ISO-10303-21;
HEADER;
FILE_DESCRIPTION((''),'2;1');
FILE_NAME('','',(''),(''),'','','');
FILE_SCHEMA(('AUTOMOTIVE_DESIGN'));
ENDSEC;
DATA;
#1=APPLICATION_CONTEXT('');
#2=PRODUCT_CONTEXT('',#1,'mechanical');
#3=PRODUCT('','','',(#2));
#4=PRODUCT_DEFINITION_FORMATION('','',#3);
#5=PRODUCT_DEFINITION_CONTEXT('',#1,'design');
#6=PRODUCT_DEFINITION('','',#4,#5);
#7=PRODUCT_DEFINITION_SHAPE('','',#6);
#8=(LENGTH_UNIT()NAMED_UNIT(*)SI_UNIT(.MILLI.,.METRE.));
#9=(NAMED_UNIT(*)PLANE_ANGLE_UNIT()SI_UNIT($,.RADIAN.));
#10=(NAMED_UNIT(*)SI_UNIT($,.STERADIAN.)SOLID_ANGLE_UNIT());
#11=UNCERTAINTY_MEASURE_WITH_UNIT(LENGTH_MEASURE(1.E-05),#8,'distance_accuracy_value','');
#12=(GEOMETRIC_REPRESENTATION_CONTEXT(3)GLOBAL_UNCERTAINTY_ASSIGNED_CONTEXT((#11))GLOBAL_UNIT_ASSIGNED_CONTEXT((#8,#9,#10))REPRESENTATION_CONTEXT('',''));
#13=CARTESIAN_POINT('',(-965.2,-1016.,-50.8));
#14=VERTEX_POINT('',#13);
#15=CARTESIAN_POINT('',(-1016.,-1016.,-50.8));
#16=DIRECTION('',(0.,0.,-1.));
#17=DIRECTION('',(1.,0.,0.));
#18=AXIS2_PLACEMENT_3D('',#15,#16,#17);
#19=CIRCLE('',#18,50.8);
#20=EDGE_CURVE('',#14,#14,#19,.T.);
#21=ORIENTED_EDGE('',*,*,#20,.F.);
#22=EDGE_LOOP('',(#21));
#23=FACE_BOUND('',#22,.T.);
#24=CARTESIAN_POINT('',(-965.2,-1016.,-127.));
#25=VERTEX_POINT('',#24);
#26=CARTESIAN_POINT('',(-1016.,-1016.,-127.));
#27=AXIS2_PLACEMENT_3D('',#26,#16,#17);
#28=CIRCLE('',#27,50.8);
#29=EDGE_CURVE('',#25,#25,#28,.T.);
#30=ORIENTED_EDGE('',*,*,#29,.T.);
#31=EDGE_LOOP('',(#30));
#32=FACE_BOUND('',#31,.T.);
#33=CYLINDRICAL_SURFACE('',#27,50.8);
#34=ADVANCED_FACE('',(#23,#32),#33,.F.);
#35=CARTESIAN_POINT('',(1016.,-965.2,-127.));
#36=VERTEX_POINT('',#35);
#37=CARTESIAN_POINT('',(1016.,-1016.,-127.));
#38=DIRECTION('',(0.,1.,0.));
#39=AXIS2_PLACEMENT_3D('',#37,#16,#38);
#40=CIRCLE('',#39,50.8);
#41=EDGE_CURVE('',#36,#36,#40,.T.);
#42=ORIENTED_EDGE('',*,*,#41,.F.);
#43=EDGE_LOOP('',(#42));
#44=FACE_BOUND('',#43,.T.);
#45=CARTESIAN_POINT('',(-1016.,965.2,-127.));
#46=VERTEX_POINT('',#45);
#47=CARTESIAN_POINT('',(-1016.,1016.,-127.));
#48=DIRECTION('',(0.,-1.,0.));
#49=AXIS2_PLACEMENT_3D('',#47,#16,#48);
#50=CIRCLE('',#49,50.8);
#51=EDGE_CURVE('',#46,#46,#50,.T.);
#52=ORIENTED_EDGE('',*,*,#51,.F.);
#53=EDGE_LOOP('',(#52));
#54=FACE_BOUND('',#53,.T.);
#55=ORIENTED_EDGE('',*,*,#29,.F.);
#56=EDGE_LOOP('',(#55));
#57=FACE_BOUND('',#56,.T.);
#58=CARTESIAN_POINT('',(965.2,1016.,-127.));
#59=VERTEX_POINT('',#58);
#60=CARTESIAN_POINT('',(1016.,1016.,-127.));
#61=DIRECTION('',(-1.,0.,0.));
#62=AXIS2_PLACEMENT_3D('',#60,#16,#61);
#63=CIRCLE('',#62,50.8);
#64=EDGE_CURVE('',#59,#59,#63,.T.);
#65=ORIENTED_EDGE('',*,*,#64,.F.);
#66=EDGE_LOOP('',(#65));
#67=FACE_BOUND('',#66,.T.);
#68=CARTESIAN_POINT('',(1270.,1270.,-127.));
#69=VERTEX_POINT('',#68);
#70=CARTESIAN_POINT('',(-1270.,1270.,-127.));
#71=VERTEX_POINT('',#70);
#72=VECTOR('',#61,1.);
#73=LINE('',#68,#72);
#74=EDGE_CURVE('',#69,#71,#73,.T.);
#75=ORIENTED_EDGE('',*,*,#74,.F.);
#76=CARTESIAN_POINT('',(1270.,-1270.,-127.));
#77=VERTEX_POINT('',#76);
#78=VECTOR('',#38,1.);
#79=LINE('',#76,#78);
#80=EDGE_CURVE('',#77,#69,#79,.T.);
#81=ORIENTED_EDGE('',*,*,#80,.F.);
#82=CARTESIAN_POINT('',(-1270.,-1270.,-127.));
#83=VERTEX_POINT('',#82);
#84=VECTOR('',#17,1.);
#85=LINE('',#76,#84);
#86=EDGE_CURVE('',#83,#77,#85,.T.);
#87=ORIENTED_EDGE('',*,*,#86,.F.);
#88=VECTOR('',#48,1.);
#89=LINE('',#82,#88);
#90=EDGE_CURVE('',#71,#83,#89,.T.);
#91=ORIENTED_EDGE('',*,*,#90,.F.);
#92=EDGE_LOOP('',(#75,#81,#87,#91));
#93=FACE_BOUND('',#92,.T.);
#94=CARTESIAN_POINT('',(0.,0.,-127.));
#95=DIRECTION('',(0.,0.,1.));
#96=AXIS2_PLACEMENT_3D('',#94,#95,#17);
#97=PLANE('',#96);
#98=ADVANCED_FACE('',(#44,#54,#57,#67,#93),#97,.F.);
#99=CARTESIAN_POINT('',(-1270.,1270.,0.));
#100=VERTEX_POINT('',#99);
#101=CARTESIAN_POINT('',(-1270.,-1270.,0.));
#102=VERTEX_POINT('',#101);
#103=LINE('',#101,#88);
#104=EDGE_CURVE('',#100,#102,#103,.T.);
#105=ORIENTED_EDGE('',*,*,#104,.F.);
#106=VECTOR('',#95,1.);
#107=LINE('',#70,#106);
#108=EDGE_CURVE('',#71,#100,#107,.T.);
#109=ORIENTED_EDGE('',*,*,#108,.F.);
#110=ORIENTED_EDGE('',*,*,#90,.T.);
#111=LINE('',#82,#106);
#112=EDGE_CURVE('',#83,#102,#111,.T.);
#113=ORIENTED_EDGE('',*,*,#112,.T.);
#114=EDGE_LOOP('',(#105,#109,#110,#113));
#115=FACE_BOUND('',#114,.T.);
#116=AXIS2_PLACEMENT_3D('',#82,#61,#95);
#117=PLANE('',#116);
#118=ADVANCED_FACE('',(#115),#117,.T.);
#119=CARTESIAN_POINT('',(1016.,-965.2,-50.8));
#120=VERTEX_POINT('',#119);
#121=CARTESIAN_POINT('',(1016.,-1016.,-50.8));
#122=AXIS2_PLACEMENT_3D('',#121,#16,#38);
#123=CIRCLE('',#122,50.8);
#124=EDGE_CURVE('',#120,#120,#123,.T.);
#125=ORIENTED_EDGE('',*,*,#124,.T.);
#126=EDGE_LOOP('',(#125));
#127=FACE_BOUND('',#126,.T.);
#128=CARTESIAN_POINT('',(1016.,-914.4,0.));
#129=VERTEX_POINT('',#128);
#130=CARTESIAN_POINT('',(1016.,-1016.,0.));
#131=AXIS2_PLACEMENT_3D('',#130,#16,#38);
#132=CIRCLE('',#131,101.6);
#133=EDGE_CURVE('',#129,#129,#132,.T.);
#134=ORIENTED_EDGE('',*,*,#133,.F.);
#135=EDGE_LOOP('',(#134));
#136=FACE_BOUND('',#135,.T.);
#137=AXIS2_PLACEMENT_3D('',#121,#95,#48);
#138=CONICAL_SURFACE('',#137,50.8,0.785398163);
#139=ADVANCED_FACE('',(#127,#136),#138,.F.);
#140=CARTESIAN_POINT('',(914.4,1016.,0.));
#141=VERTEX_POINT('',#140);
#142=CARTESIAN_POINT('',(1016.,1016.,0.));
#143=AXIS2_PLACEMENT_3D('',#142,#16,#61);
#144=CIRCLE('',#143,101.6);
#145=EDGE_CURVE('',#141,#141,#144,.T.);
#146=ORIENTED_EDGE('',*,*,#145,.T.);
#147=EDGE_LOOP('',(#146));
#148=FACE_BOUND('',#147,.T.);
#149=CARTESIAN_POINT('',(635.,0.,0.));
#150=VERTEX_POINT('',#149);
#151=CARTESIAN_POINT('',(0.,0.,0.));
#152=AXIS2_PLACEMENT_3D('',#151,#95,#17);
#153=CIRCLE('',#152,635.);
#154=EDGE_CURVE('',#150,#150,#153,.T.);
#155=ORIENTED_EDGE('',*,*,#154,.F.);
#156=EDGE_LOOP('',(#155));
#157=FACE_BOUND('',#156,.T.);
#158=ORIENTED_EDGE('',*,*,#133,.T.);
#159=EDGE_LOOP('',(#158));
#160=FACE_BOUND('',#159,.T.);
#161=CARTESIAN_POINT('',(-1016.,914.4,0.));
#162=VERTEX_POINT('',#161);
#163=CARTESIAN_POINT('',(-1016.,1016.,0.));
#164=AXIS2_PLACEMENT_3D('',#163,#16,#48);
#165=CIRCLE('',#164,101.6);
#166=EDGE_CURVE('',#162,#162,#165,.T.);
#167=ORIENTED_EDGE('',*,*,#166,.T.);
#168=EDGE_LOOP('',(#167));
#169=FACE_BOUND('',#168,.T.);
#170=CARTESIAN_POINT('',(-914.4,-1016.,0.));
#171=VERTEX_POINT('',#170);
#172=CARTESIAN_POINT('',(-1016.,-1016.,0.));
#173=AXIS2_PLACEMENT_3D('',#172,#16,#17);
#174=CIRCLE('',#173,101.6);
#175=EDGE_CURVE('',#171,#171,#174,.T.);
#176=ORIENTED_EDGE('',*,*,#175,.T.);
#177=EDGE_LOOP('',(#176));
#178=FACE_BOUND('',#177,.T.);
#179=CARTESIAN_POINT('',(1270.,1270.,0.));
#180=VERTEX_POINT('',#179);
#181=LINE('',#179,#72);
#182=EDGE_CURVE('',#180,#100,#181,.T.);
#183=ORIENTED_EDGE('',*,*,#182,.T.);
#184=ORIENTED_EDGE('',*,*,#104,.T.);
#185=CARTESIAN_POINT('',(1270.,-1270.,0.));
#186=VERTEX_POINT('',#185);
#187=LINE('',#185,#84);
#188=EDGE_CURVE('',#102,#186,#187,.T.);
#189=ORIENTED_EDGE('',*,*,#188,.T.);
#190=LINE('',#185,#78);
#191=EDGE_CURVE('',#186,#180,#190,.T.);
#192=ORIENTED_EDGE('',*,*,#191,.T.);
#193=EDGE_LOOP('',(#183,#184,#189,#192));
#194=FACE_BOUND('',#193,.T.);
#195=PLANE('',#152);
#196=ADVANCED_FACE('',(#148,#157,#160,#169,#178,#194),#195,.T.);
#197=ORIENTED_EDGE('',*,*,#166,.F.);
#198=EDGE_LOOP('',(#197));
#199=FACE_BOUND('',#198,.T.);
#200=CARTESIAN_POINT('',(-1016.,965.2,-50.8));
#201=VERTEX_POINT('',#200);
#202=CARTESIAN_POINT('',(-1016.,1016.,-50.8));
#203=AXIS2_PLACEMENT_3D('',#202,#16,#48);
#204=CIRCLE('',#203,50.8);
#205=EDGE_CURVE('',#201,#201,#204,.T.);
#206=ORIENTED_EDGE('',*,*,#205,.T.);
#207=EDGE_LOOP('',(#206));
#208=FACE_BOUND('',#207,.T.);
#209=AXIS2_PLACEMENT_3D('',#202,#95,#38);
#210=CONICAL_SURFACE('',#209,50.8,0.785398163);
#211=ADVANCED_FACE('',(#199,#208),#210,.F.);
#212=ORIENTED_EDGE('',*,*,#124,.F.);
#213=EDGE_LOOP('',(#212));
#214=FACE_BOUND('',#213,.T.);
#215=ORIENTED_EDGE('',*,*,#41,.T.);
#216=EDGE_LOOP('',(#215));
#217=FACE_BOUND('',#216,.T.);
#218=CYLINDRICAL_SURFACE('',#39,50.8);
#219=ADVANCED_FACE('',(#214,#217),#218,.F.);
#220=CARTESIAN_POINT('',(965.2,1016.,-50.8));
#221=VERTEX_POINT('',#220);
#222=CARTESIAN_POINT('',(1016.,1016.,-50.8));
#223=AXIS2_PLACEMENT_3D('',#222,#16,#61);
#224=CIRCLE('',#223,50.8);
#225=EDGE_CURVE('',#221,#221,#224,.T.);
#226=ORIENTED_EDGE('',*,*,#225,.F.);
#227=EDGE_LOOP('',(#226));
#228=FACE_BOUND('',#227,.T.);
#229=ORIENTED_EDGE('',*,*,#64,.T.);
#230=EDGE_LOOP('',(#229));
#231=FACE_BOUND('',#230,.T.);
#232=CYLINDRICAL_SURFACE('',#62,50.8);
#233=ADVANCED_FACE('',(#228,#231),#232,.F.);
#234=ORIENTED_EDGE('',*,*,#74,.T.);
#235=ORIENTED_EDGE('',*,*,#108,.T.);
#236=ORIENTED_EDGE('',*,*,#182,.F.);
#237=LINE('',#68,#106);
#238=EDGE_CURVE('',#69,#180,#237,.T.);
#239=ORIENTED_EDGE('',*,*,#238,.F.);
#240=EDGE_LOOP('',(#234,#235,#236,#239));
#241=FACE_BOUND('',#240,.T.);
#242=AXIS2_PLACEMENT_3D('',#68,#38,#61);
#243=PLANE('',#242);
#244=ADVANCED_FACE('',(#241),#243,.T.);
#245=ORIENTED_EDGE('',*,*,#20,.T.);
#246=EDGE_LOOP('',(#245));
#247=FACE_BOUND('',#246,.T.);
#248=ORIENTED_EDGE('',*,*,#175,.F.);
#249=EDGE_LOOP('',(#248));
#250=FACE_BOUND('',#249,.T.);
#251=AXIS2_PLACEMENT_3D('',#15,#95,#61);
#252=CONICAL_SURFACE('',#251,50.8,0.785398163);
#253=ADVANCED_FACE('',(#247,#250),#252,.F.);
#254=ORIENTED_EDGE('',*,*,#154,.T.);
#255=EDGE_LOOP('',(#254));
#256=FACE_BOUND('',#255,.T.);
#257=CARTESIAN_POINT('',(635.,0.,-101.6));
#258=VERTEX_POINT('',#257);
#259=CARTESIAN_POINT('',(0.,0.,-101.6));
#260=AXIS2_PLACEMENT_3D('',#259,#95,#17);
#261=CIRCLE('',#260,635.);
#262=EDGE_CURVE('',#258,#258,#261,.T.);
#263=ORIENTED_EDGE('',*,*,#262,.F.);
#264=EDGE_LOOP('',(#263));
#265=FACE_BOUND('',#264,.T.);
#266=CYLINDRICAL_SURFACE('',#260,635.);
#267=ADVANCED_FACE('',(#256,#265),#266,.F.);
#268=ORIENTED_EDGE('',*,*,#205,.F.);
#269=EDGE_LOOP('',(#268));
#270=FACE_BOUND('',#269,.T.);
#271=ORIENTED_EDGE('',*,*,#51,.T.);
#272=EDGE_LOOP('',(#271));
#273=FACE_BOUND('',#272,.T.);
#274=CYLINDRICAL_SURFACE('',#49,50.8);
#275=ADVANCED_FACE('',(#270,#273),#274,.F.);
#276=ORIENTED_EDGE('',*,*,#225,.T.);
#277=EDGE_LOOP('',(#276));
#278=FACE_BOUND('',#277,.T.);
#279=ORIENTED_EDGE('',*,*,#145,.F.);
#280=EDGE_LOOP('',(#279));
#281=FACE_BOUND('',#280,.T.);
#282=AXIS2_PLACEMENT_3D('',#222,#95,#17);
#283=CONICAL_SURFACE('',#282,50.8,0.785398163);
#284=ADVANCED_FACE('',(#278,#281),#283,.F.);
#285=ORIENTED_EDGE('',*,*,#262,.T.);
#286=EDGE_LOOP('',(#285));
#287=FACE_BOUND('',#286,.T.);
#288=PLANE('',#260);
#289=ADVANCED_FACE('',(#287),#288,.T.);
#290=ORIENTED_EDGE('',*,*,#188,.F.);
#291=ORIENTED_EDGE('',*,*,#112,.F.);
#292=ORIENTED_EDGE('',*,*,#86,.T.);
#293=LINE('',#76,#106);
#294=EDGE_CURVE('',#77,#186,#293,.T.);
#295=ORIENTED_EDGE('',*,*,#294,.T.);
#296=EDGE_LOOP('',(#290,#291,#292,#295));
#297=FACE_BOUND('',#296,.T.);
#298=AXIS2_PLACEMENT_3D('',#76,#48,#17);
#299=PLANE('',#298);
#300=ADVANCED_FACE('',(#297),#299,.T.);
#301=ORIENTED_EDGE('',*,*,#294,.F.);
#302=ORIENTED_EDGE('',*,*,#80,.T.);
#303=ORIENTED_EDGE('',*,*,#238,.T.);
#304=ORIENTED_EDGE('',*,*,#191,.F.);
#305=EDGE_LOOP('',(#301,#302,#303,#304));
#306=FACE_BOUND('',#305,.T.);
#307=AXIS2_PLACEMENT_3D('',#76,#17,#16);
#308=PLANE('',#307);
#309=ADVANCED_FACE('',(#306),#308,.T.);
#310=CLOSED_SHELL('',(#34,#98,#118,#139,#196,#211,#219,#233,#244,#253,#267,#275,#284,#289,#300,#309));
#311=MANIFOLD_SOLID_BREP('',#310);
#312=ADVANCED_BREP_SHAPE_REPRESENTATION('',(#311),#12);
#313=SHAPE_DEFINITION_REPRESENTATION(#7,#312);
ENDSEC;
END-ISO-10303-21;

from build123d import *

# Parameters (mm, degrees)
SKETCH1_W           = 2540
SKETCH1_H           = 2540
BOSS_EXTRUDE1_DEPTH = 127
SKETCH2_R           = 635
CUT_EXTRUDE1_DEPTH  = 101.6
CIRPATTERN1_COUNT   = 4


with BuildPart() as part:
    # Sketch1 → Boss-Extrude1 (new body)
    with BuildSketch(Plane.XY):
        Rectangle(SKETCH1_W, SKETCH1_H)
    extrude(amount=-BOSS_EXTRUDE1_DEPTH)

    # Sketch2 → Cut-Extrude1 (cut)
    with BuildSketch(Plane.XY):
        Circle(SKETCH2_R)
    extrude(amount=-CUT_EXTRUDE1_DEPTH, mode=Mode.SUBTRACT)

    # Sketch3 → Cut-Revolve1 (revolve, cut)
    with BuildSketch(Plane(origin=(1016, 0, 0), x_dir=(0, 0, -1), z_dir=(1, 0, 0))):
        Polygon((127, 1066.8), (50.8, 1066.8), (0, 1117.6), (0, 1016), (127, 1016), align=None)
    cut_revolve1 = revolve(axis=Axis((1016, 1016, -127), (0, 0, 1)), mode=Mode.SUBTRACT)

    # CirPattern1: Cut-Revolve1 ×4 about axis
    cirpattern1_axis = Axis((0, 0, 0), (0, 0, 1))
    for i in range(1, CIRPATTERN1_COUNT):
        add(cut_revolve1.rotate(cirpattern1_axis, i * 360 / CIRPATTERN1_COUNT), mode=Mode.SUBTRACT)


solid = part.part
